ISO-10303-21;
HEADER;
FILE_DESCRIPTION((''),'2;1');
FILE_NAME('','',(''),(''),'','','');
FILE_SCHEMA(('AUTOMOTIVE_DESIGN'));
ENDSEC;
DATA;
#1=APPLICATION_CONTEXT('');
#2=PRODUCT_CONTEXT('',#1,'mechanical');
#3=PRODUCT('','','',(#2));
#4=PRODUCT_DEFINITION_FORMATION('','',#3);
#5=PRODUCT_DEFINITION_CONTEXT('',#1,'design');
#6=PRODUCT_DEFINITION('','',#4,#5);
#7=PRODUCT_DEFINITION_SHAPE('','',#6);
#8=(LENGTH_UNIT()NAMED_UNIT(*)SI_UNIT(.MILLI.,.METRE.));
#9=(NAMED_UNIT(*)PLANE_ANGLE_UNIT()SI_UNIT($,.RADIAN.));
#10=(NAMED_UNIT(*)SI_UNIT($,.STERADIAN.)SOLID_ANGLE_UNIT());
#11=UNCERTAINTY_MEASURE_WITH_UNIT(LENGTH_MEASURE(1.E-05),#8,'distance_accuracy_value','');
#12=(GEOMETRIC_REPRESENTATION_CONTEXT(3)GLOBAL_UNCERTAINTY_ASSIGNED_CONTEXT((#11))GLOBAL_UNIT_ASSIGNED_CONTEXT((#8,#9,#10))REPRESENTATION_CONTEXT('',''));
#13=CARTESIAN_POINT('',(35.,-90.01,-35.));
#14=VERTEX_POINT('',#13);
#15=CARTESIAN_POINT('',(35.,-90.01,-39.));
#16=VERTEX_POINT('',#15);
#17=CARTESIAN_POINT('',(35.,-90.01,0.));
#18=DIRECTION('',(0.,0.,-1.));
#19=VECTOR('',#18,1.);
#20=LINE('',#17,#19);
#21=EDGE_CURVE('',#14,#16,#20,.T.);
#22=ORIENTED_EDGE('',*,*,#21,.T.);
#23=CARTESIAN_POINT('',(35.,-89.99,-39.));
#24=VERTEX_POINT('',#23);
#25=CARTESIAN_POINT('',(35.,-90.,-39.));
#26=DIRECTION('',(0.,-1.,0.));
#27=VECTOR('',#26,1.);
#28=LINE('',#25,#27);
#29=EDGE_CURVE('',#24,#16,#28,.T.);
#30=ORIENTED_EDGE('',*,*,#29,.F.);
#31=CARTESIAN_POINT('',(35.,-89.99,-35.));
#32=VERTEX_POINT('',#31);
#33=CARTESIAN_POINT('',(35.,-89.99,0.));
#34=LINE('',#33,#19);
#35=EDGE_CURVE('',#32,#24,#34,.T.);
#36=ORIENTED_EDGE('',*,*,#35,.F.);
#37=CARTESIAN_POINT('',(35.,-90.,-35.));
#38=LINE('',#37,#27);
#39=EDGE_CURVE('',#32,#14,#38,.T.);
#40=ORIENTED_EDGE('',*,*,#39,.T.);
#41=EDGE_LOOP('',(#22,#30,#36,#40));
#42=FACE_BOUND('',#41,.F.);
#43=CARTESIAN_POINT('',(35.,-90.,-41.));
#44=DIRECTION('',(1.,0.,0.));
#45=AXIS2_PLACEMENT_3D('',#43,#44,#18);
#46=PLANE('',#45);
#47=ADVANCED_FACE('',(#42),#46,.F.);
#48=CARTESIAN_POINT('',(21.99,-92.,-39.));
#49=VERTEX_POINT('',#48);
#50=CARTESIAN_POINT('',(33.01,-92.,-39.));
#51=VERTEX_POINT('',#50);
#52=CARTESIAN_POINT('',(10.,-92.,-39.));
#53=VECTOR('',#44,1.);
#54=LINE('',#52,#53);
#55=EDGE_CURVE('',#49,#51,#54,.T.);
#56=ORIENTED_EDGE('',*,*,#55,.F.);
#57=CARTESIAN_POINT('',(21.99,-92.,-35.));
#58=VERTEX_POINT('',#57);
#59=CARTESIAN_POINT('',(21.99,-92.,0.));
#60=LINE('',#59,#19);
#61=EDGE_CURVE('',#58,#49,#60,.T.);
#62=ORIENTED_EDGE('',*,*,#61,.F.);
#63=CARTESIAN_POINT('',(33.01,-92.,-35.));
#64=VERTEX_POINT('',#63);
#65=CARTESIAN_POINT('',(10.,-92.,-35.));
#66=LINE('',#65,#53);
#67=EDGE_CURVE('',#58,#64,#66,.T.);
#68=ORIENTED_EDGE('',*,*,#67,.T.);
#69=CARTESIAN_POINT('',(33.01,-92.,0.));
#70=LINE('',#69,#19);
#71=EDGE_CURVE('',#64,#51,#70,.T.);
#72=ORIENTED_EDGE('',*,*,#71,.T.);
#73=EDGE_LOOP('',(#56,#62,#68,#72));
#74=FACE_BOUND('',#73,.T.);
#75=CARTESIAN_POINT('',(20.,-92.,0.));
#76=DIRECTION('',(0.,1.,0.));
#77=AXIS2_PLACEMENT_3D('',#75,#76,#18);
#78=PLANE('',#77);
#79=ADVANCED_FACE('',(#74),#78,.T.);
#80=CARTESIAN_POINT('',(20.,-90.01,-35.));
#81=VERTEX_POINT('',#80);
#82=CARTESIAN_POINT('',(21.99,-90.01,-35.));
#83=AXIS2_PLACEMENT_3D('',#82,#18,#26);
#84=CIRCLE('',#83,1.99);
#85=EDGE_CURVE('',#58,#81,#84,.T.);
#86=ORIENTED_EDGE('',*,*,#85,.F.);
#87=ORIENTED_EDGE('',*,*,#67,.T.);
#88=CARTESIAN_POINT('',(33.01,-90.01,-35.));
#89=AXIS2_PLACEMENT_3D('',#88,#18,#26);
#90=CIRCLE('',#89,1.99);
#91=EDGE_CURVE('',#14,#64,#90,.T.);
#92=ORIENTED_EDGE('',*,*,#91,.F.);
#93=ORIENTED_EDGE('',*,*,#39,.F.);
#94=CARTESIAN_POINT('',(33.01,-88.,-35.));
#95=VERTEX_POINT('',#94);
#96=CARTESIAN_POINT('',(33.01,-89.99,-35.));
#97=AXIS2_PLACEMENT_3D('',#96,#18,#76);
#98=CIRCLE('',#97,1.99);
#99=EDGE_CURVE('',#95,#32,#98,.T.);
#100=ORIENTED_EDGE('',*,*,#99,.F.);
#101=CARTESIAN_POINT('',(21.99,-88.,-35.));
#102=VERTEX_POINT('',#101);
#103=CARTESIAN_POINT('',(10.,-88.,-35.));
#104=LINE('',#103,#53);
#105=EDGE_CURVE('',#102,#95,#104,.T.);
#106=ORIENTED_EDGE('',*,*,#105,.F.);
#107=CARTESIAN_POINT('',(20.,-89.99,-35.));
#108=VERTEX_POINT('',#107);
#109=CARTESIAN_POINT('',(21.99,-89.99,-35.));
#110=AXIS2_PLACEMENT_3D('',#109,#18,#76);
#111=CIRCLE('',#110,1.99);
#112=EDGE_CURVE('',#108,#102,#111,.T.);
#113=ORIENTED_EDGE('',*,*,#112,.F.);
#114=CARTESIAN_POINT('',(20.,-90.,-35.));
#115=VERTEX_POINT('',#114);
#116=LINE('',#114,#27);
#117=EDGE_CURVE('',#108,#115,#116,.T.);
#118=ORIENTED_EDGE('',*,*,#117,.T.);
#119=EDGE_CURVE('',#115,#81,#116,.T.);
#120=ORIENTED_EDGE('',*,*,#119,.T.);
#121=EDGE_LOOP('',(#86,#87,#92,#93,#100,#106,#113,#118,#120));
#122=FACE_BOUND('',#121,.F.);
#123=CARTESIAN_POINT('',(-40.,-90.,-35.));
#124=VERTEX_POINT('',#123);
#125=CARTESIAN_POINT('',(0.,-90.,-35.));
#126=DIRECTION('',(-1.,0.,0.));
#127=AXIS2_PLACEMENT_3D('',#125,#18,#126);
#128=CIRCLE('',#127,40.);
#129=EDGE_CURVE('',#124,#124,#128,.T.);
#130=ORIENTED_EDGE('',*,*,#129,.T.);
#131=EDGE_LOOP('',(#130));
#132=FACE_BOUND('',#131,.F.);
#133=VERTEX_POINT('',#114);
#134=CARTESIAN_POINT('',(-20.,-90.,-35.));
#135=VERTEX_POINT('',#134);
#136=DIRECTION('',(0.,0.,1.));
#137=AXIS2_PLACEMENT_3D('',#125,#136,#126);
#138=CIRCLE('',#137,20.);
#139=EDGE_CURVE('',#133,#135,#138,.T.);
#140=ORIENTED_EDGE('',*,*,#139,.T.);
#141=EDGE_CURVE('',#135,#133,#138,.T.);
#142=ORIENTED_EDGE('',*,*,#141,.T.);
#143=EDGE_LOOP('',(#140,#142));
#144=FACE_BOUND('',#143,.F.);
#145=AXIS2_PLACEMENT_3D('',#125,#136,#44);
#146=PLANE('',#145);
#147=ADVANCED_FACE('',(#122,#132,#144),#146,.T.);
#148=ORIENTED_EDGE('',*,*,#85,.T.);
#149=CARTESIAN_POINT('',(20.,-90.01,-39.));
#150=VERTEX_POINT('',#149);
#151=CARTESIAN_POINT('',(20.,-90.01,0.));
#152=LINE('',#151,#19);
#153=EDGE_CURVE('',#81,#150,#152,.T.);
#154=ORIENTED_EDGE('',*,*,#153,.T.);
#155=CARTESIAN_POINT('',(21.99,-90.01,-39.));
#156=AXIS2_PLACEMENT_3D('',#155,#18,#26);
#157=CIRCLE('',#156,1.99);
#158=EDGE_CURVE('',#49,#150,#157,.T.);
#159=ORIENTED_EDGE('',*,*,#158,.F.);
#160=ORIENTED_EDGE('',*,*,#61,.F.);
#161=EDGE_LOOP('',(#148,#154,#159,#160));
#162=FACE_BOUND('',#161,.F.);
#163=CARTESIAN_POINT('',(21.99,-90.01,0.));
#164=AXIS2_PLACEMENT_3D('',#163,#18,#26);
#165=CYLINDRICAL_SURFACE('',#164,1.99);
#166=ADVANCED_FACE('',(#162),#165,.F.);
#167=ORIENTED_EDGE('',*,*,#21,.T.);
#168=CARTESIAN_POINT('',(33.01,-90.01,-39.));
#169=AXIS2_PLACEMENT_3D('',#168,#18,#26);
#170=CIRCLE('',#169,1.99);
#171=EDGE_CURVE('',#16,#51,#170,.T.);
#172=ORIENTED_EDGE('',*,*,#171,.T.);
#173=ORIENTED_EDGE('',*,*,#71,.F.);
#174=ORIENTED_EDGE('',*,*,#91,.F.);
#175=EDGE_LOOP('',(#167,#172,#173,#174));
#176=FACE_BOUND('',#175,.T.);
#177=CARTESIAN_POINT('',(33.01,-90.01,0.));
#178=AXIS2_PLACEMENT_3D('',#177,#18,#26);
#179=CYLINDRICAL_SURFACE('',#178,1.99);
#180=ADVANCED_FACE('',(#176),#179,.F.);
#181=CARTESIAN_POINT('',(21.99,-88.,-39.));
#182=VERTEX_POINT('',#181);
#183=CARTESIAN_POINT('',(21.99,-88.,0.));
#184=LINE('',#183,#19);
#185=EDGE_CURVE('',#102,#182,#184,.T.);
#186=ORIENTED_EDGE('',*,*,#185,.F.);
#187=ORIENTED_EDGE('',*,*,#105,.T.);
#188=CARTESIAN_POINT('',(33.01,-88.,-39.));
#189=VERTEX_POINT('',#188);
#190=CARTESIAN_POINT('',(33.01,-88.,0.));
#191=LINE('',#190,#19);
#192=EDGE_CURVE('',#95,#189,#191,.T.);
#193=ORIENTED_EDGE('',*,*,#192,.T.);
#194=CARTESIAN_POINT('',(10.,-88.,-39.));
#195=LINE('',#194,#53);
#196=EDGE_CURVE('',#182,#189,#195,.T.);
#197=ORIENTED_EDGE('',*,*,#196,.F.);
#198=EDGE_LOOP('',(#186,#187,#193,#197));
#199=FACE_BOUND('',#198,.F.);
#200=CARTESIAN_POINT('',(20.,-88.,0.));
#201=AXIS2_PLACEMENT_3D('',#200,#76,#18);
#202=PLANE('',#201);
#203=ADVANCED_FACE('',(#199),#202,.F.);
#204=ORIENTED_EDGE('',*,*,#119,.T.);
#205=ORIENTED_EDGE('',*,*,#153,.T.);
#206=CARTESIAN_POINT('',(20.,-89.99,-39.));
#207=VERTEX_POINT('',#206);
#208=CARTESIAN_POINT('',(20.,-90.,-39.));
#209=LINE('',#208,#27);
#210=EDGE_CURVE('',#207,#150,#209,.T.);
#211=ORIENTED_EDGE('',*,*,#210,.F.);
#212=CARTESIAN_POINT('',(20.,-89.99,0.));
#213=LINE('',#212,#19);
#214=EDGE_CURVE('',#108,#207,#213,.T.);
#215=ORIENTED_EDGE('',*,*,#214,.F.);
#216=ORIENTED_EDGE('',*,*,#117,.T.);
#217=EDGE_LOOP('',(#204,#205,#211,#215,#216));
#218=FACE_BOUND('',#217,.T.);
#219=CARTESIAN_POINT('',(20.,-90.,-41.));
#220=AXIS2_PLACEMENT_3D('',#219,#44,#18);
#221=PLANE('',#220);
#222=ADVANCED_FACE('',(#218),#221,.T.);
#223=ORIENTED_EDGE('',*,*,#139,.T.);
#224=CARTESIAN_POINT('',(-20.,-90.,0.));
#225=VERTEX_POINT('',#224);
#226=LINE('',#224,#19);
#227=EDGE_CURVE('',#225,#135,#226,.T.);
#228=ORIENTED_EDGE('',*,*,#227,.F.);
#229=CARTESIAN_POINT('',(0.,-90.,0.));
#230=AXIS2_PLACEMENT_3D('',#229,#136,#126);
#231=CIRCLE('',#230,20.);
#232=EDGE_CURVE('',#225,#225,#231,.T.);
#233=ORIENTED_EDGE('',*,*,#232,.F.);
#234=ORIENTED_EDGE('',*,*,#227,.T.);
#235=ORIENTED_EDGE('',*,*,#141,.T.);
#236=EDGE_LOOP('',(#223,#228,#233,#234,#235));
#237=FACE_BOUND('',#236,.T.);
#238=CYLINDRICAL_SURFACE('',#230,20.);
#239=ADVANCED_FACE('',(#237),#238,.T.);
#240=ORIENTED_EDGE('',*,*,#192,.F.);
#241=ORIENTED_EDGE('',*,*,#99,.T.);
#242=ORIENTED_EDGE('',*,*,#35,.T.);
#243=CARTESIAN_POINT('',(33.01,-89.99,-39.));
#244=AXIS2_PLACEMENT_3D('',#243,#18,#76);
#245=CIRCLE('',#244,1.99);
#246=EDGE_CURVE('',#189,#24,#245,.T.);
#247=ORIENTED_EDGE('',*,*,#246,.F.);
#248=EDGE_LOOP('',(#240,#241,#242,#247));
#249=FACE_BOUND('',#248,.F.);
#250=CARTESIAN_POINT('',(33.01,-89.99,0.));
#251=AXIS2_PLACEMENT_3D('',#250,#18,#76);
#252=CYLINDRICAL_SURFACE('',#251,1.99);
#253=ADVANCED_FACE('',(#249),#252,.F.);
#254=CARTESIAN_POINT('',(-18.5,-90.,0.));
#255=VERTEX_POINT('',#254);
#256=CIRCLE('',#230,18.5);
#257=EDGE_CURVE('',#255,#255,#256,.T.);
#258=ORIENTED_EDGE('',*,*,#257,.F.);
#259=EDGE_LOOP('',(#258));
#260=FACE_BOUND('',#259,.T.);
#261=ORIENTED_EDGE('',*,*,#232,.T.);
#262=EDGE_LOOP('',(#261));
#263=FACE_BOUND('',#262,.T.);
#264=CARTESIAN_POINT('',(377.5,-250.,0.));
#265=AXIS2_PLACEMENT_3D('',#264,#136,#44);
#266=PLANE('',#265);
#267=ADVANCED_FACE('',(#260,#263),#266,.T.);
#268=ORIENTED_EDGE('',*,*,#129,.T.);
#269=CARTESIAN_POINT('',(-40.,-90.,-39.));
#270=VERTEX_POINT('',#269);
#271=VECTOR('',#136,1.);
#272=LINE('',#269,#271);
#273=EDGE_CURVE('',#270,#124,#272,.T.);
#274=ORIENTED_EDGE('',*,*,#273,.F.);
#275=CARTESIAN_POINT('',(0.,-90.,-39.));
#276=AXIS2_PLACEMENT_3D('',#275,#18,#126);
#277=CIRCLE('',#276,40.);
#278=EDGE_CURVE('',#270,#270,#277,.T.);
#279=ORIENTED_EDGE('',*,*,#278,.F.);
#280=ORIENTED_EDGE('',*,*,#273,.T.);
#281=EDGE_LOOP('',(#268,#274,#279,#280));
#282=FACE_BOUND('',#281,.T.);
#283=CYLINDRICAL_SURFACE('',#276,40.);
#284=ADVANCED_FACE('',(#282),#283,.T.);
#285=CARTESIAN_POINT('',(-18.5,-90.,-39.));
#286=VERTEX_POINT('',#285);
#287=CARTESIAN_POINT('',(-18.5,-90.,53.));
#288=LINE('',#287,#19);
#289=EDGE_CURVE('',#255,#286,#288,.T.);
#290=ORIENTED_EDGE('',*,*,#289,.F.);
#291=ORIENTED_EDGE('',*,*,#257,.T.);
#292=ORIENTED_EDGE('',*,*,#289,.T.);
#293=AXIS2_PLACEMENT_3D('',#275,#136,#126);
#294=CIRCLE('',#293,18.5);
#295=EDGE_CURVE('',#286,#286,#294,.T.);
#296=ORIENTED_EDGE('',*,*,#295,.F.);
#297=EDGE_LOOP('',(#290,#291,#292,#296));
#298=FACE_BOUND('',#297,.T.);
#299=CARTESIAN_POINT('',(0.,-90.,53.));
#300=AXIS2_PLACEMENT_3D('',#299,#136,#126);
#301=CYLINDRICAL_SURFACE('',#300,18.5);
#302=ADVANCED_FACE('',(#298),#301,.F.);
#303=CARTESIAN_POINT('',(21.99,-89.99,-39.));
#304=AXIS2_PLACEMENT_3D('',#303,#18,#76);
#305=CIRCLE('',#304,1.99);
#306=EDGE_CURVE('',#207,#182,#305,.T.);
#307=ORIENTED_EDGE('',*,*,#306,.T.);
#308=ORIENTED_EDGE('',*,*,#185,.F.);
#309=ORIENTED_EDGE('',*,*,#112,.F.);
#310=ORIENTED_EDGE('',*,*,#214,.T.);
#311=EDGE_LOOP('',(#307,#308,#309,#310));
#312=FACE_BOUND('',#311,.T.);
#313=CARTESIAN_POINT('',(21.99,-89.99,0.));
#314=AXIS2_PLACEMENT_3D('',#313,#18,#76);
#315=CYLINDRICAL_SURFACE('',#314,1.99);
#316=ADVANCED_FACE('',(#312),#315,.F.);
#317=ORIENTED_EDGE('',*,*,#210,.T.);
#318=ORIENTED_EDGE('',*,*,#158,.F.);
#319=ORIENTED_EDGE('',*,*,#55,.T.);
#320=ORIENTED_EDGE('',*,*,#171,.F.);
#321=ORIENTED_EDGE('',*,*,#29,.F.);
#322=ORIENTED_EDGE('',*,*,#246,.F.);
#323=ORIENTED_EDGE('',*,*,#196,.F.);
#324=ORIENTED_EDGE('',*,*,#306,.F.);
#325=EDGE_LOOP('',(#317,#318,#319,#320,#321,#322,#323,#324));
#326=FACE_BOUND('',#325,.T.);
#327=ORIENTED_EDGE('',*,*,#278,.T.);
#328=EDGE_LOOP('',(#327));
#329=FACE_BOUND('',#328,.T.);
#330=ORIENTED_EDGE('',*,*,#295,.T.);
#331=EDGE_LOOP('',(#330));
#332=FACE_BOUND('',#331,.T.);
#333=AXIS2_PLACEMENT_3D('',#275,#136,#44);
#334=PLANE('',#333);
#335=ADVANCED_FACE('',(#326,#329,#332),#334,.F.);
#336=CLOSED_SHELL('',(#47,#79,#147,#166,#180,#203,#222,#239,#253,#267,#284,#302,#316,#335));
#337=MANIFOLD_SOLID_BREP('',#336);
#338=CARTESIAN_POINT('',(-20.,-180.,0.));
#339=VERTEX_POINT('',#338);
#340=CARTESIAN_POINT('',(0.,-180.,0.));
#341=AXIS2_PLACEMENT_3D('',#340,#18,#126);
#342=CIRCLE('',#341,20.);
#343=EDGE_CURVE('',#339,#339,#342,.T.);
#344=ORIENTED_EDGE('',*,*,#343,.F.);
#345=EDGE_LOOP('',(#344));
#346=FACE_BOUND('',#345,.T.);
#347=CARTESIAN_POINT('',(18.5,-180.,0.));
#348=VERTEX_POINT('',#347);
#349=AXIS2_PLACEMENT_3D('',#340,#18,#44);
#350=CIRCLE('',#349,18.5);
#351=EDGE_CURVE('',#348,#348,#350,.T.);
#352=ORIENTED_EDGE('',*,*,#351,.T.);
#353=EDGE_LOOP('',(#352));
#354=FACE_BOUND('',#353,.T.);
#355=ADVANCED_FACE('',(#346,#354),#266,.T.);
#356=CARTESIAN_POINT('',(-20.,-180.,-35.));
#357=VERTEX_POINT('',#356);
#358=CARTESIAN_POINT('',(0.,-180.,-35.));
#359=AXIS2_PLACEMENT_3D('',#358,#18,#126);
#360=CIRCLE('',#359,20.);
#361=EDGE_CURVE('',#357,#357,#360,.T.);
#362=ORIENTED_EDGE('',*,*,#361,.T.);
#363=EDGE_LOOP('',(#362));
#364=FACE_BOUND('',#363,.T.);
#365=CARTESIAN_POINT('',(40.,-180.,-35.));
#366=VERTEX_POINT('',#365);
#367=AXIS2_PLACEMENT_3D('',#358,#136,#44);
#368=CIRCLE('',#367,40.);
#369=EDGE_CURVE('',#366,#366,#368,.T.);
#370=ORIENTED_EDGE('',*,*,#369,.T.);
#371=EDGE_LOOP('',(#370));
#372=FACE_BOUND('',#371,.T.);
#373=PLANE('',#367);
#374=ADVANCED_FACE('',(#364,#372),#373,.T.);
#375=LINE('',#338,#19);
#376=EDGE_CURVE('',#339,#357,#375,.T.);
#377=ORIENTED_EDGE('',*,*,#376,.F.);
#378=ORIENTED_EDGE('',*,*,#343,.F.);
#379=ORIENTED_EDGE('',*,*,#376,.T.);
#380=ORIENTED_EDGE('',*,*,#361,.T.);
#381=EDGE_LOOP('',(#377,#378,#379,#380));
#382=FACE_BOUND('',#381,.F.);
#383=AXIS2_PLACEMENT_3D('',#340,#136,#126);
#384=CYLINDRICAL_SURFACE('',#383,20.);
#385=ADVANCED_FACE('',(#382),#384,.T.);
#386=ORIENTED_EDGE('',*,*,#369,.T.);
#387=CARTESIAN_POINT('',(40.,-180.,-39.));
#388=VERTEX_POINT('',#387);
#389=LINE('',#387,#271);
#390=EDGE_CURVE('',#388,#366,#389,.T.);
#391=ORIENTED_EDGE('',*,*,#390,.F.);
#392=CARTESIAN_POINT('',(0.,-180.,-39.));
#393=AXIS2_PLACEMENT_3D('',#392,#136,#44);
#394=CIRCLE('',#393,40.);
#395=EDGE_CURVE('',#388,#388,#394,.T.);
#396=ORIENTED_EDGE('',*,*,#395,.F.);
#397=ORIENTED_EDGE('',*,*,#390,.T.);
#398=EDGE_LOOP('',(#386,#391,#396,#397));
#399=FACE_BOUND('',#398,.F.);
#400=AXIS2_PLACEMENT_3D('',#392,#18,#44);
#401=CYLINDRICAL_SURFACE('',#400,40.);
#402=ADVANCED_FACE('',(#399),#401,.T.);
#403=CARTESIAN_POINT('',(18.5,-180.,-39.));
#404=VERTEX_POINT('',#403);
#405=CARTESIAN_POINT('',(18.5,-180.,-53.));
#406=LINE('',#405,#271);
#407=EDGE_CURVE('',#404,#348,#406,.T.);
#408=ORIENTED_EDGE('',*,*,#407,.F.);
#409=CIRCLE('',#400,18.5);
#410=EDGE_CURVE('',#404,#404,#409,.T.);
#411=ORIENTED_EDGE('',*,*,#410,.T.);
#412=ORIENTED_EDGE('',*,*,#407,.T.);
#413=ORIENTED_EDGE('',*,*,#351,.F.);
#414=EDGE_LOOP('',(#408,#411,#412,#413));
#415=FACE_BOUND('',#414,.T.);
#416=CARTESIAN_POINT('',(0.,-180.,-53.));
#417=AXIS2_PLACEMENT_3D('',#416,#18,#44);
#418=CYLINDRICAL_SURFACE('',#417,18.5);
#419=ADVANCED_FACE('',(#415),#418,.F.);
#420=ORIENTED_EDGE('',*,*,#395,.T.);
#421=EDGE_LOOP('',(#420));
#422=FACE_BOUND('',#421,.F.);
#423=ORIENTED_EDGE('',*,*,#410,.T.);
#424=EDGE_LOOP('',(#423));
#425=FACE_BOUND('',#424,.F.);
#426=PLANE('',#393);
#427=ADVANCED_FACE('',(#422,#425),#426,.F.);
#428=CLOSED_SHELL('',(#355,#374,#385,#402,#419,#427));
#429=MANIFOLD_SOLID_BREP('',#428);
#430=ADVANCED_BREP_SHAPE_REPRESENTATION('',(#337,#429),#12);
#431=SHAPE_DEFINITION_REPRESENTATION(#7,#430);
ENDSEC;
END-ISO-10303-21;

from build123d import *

# Parameters (mm, degrees)
BOX004_W                          = 899
BOX004_H                          = 898
BOX004_DEPTH                      = 1000
BOX002_W                          = 82
BOX002_H                          = 4
BOX002_DEPTH                      = 15
FILLET001_R                       = 1.99
CYLINDER004_R                     = 18.5
CYLINDER004_DEPTH                 = 100
CYLINDER006_R                     = 20
CYLINDER006_DEPTH                 = 35
CYLINDER005_R                     = 40
CYLINDER005_DEPTH                 = 4
PART_MIRRORING003_PLACEMENT_ANGLE = 180
PART_MIRRORING004_PLACEMENT_ANGLE = 180
CUT004_PLACEMENT_ANGLE            = 90
BOX005_W                          = 899
BOX005_H                          = 898
BOX005_DEPTH                      = 1000
BOX003_W                          = 82
BOX003_H                          = 4
BOX003_DEPTH                      = 15
FILLET002_R                       = 1.99
CYLINDER008_R                     = 18.5
CYLINDER008_DEPTH                 = 100
CYLINDER007_R                     = 20
CYLINDER007_DEPTH                 = 35
CYLINDER009_R                     = 40
CYLINDER009_DEPTH                 = 4
PART_MIRRORING005_PLACEMENT_ANGLE = 180
PART_MIRRORING006_PLACEMENT_ANGLE = 180
CUT006_PLACEMENT_ANGLE            = 90


with BuildPart() as cube004:
    # Box004 → Box004 (new body)
    with BuildSketch(Plane(origin=(-72, -699, 0), x_dir=(1, 0, 0), z_dir=(0, 0, 1))):
        with Locations((449.5, 449)):
            Rectangle(BOX004_W, BOX004_H)
    extrude(amount=BOX004_DEPTH)


with BuildPart() as fillet001:
    # Box002 → Box002 (new body)
    with BuildSketch(Plane(origin=(0, -2, 20), x_dir=(1, 0, 0), z_dir=(0, 0, 1))):
        with Locations((41, 2)):
            Rectangle(BOX002_W, BOX002_H)
    extrude(amount=BOX002_DEPTH)

    # Fillet001
    fillet001_edges = [fillet001.edges().sort_by_distance(p)[0] for p in [
        (41, -2, 20),
        (41, -2, 35),
        (41, 2, 20),
        (41, 2, 35),
    ]]
    fillet(fillet001_edges, radius=FILLET001_R)


with BuildPart() as fillet001_1:
    # Fillet001 placement: moved
    add(fillet001.part.moved(Location((0, -90, 0))))


with BuildPart() as rack_straight001:
    # Cylinder004 → Cylinder004 (new body)
    with BuildSketch(Plane(origin=(-53, 0, 0), x_dir=(0, 0, -1), z_dir=(1, 0, 0))):
        Circle(CYLINDER004_R)
    extrude(amount=CYLINDER004_DEPTH)


with BuildPart() as inside001:
    # Cylinder006 → Cylinder006 (new body)
    with BuildSketch(Plane.ZY):
        Circle(CYLINDER006_R)
    extrude(amount=CYLINDER006_DEPTH)


with BuildPart() as outside001:
    # Cylinder005 → Cylinder005 (new body)
    with BuildSketch(Plane(origin=(-39, 0, 0), x_dir=(0, 0, -1), z_dir=(1, 0, 0))):
        Circle(CYLINDER005_R)
    extrude(amount=CYLINDER005_DEPTH)


with BuildPart() as part_mirroring003:
    # Part__Mirroring003: instance of outside001
    add(outside001.part.mirror(Plane(origin=(0, 0, 0), x_dir=(1, 0, 0), z_dir=(0, 1, 0))))


with BuildPart() as part_mirroring003_1:
    # Part__Mirroring003 placement: moved
    add(part_mirroring003.part.rotate(Axis((0, 0, 0), (0, 0, 1)), PART_MIRRORING003_PLACEMENT_ANGLE))


with BuildPart() as kostra2:
    # Part__Mirroring004: instance of inside001
    add(inside001.part.mirror(Plane(origin=(0, 0, 0), x_dir=(1, 0, 0), z_dir=(0, 1, 0))))


with BuildPart() as kostra2_1:
    # Part__Mirroring004 placement: moved
    add(kostra2.part.rotate(Axis((0, 0, 0), (0, 1, 0)), PART_MIRRORING004_PLACEMENT_ANGLE))

    # Fusion001: union inside001, Part__Mirroring003, outside001
    add(inside001.part)
    add(part_mirroring003_1.part)
    add(outside001.part)

    # Cut003: cut rack_straight001
    add(rack_straight001.part, mode=Mode.SUBTRACT)


with BuildPart() as kostra2_2:
    # Cut003 placement: moved
    add(kostra2_1.part.moved(Location((0, -90, 0))))

    # Cut004: cut Fillet001
    add(fillet001_1.part, mode=Mode.SUBTRACT)


with BuildPart() as kostra2_3:
    # Cut004 placement: moved
    add(kostra2_2.part.rotate(Axis((0, 0, 0), (0, 1, 0)), CUT004_PLACEMENT_ANGLE))

    # Cut007: cut Cube004
    add(cube004.part, mode=Mode.SUBTRACT)


with BuildPart() as cube005:
    # Box005 → Box005 (new body)
    with BuildSketch(Plane(origin=(-72, -699, 0), x_dir=(1, 0, 0), z_dir=(0, 0, 1))):
        with Locations((449.5, 449)):
            Rectangle(BOX005_W, BOX005_H)
    extrude(amount=BOX005_DEPTH)


with BuildPart() as fillet002:
    # Box003 → Box003 (new body)
    with BuildSketch(Plane(origin=(0, -2, 20), x_dir=(1, 0, 0), z_dir=(0, 0, 1))):
        with Locations((41, 2)):
            Rectangle(BOX003_W, BOX003_H)
    extrude(amount=BOX003_DEPTH)

    # Fillet002
    fillet002_edges = [fillet002.edges().sort_by_distance(p)[0] for p in [
        (41, -2, 20),
        (41, -2, 35),
        (41, 2, 20),
        (41, 2, 35),
    ]]
    fillet(fillet002_edges, radius=FILLET002_R)


with BuildPart() as fillet002_1:
    # Fillet002 placement: moved
    add(fillet002.part.moved(Location((0, -90, 0))))


with BuildPart() as rack_straight002:
    # Cylinder008 → Cylinder008 (new body)
    with BuildSketch(Plane(origin=(-53, 0, 0), x_dir=(0, 0, -1), z_dir=(1, 0, 0))):
        Circle(CYLINDER008_R)
    extrude(amount=CYLINDER008_DEPTH)


with BuildPart() as inside002:
    # Cylinder007 → Cylinder007 (new body)
    with BuildSketch(Plane.ZY):
        Circle(CYLINDER007_R)
    extrude(amount=CYLINDER007_DEPTH)


with BuildPart() as outside002:
    # Cylinder009 → Cylinder009 (new body)
    with BuildSketch(Plane(origin=(-39, 0, 0), x_dir=(0, 0, -1), z_dir=(1, 0, 0))):
        Circle(CYLINDER009_R)
    extrude(amount=CYLINDER009_DEPTH)


with BuildPart() as part_mirroring005:
    # Part__Mirroring005: instance of outside002
    add(outside002.part.mirror(Plane(origin=(0, 0, 0), x_dir=(1, 0, 0), z_dir=(0, 1, 0))))


with BuildPart() as part_mirroring005_1:
    # Part__Mirroring005 placement: moved
    add(part_mirroring005.part.rotate(Axis((0, 0, 0), (0, 0, 1)), PART_MIRRORING005_PLACEMENT_ANGLE))


with BuildPart() as kostra1:
    # Part__Mirroring006: instance of inside002
    add(inside002.part.mirror(Plane(origin=(0, 0, 0), x_dir=(1, 0, 0), z_dir=(0, 1, 0))))


with BuildPart() as kostra1_1:
    # Part__Mirroring006 placement: moved
    add(kostra1.part.rotate(Axis((0, 0, 0), (0, 1, 0)), PART_MIRRORING006_PLACEMENT_ANGLE))

    # Fusion002: union inside002, Part__Mirroring005, outside002
    add(inside002.part)
    add(part_mirroring005_1.part)
    add(outside002.part)

    # Cut005: cut rack_straight002
    add(rack_straight002.part, mode=Mode.SUBTRACT)


with BuildPart() as kostra1_2:
    # Cut005 placement: moved
    add(kostra1_1.part.moved(Location((0, -90, 0))))

    # Cut006: cut Fillet002
    add(fillet002_1.part, mode=Mode.SUBTRACT)


with BuildPart() as kostra1_3:
    # Cut006 placement: moved
    add(kostra1_2.part.moved(Location((0, -90, 0))).rotate(Axis((0, -90, 0), (0, -1, 0)), CUT006_PLACEMENT_ANGLE))

    # Cut008: cut Cube005
    add(cube005.part, mode=Mode.SUBTRACT)


solid = Compound([kostra2_3.part, kostra1_3.part])
